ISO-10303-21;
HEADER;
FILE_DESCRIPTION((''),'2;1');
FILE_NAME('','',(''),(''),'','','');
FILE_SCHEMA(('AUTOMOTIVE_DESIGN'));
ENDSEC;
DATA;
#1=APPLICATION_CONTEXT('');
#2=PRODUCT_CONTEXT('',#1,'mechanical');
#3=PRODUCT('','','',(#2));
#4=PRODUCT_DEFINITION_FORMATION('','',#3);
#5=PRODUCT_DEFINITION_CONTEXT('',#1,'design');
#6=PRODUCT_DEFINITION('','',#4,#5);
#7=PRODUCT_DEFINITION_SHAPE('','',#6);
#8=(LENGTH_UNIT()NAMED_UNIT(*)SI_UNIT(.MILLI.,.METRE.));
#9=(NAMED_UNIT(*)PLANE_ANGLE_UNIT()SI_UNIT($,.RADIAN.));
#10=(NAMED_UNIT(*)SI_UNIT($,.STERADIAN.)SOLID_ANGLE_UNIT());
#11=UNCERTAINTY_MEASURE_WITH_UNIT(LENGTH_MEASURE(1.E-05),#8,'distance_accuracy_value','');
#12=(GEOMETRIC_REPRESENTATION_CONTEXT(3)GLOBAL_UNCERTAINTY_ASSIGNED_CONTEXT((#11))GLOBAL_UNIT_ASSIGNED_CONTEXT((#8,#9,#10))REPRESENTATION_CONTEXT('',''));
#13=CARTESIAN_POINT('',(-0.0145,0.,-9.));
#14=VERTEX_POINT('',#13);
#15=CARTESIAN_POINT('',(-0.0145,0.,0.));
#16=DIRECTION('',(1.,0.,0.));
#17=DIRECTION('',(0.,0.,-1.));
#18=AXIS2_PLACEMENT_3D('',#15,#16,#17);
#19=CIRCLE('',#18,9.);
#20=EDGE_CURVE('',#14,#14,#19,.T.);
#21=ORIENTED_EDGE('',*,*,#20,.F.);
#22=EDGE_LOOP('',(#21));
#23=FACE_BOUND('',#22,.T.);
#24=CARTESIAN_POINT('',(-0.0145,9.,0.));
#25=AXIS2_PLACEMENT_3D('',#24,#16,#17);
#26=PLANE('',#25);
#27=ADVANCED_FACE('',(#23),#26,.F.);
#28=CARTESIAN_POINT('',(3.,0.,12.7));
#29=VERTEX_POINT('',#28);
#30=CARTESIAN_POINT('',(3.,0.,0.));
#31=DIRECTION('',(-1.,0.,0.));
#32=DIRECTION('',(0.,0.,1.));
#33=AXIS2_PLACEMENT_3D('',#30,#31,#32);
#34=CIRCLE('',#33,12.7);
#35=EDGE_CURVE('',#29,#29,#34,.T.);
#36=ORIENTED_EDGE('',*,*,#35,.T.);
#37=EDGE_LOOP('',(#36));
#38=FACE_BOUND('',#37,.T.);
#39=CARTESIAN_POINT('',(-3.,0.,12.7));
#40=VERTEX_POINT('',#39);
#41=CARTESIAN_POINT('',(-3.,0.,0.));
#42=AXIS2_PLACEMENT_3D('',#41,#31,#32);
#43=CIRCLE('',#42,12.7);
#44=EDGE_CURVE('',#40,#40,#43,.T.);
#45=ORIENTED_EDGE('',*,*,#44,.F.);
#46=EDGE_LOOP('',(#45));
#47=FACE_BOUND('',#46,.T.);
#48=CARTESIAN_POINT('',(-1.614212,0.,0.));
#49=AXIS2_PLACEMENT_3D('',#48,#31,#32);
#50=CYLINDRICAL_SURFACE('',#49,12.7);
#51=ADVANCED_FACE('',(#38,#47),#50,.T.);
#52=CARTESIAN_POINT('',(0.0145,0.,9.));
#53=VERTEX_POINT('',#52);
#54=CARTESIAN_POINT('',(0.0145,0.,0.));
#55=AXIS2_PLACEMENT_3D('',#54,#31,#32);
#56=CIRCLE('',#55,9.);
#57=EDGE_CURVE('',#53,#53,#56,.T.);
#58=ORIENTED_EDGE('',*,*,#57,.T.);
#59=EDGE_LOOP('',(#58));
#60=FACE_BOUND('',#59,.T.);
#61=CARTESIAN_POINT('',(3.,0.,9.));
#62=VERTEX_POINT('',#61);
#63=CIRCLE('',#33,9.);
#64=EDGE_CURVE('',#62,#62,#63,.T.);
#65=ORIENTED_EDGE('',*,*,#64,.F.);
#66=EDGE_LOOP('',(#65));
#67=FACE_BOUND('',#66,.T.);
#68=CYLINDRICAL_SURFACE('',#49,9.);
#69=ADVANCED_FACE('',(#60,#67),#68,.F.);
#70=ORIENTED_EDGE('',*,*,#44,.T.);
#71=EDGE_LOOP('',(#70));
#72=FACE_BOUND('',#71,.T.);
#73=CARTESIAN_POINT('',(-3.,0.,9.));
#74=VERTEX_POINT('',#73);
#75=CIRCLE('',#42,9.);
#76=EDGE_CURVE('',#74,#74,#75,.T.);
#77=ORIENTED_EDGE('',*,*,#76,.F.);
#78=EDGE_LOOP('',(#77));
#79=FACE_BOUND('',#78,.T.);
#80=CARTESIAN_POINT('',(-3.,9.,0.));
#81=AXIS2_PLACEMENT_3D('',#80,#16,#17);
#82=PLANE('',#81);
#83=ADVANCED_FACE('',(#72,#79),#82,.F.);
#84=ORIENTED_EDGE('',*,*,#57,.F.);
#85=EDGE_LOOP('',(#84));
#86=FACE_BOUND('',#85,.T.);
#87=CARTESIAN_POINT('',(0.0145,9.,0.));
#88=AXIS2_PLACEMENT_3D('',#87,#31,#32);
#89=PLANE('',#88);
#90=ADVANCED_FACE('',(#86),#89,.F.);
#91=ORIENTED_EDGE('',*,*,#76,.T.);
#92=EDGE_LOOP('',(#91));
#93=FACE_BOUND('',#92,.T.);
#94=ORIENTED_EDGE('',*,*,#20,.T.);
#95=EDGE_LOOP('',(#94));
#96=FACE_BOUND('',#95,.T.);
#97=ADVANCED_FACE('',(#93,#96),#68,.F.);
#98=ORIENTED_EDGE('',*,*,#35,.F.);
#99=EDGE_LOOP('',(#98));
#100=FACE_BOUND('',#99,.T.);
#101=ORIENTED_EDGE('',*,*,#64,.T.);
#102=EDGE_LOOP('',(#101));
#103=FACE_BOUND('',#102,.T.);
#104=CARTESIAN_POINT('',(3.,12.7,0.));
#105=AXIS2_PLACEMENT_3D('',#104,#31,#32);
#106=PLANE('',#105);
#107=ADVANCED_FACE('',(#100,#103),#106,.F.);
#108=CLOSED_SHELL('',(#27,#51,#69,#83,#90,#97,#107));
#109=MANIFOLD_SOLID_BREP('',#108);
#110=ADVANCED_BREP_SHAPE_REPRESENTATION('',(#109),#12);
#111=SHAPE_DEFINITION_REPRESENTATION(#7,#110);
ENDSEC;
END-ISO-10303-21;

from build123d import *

# Parameters (mm, degrees)
SKETCH_1_W = 0.029
SKETCH_1_H = 9
SKETCH_4_W = 6
SKETCH_4_H = 3.7


with BuildPart() as part:
    # 草图1 → 旋转2 (revolve)
    with BuildSketch(Plane.XY, mode=Mode.PRIVATE) as revolve_2_sk:
        with Locations((0, 4.5)):
            Rectangle(SKETCH_1_W, SKETCH_1_H)
    revolve(revolve_2_sk.sketch.rotate(Axis((-0.0145, 0, 0), (1, 0, 0)), 90), axis=Axis((-0.0145, 0, 0), (1, 0, 0)))  # turned: the seam where the file's is

    # 草图4 → 旋转3 (revolve)
    with BuildSketch(Plane.XY, mode=Mode.PRIVATE) as revolve_3_sk:
        with Locations((0, 10.85)):
            Rectangle(SKETCH_4_W, SKETCH_4_H)
    revolve(revolve_3_sk.sketch.rotate(Axis((-1.614212419, 0, 0), (1, 0, 0)), 90), axis=Axis((-1.614212419, 0, 0), (1, 0, 0)))  # turned: the seam where the file's is


solid = part.part
